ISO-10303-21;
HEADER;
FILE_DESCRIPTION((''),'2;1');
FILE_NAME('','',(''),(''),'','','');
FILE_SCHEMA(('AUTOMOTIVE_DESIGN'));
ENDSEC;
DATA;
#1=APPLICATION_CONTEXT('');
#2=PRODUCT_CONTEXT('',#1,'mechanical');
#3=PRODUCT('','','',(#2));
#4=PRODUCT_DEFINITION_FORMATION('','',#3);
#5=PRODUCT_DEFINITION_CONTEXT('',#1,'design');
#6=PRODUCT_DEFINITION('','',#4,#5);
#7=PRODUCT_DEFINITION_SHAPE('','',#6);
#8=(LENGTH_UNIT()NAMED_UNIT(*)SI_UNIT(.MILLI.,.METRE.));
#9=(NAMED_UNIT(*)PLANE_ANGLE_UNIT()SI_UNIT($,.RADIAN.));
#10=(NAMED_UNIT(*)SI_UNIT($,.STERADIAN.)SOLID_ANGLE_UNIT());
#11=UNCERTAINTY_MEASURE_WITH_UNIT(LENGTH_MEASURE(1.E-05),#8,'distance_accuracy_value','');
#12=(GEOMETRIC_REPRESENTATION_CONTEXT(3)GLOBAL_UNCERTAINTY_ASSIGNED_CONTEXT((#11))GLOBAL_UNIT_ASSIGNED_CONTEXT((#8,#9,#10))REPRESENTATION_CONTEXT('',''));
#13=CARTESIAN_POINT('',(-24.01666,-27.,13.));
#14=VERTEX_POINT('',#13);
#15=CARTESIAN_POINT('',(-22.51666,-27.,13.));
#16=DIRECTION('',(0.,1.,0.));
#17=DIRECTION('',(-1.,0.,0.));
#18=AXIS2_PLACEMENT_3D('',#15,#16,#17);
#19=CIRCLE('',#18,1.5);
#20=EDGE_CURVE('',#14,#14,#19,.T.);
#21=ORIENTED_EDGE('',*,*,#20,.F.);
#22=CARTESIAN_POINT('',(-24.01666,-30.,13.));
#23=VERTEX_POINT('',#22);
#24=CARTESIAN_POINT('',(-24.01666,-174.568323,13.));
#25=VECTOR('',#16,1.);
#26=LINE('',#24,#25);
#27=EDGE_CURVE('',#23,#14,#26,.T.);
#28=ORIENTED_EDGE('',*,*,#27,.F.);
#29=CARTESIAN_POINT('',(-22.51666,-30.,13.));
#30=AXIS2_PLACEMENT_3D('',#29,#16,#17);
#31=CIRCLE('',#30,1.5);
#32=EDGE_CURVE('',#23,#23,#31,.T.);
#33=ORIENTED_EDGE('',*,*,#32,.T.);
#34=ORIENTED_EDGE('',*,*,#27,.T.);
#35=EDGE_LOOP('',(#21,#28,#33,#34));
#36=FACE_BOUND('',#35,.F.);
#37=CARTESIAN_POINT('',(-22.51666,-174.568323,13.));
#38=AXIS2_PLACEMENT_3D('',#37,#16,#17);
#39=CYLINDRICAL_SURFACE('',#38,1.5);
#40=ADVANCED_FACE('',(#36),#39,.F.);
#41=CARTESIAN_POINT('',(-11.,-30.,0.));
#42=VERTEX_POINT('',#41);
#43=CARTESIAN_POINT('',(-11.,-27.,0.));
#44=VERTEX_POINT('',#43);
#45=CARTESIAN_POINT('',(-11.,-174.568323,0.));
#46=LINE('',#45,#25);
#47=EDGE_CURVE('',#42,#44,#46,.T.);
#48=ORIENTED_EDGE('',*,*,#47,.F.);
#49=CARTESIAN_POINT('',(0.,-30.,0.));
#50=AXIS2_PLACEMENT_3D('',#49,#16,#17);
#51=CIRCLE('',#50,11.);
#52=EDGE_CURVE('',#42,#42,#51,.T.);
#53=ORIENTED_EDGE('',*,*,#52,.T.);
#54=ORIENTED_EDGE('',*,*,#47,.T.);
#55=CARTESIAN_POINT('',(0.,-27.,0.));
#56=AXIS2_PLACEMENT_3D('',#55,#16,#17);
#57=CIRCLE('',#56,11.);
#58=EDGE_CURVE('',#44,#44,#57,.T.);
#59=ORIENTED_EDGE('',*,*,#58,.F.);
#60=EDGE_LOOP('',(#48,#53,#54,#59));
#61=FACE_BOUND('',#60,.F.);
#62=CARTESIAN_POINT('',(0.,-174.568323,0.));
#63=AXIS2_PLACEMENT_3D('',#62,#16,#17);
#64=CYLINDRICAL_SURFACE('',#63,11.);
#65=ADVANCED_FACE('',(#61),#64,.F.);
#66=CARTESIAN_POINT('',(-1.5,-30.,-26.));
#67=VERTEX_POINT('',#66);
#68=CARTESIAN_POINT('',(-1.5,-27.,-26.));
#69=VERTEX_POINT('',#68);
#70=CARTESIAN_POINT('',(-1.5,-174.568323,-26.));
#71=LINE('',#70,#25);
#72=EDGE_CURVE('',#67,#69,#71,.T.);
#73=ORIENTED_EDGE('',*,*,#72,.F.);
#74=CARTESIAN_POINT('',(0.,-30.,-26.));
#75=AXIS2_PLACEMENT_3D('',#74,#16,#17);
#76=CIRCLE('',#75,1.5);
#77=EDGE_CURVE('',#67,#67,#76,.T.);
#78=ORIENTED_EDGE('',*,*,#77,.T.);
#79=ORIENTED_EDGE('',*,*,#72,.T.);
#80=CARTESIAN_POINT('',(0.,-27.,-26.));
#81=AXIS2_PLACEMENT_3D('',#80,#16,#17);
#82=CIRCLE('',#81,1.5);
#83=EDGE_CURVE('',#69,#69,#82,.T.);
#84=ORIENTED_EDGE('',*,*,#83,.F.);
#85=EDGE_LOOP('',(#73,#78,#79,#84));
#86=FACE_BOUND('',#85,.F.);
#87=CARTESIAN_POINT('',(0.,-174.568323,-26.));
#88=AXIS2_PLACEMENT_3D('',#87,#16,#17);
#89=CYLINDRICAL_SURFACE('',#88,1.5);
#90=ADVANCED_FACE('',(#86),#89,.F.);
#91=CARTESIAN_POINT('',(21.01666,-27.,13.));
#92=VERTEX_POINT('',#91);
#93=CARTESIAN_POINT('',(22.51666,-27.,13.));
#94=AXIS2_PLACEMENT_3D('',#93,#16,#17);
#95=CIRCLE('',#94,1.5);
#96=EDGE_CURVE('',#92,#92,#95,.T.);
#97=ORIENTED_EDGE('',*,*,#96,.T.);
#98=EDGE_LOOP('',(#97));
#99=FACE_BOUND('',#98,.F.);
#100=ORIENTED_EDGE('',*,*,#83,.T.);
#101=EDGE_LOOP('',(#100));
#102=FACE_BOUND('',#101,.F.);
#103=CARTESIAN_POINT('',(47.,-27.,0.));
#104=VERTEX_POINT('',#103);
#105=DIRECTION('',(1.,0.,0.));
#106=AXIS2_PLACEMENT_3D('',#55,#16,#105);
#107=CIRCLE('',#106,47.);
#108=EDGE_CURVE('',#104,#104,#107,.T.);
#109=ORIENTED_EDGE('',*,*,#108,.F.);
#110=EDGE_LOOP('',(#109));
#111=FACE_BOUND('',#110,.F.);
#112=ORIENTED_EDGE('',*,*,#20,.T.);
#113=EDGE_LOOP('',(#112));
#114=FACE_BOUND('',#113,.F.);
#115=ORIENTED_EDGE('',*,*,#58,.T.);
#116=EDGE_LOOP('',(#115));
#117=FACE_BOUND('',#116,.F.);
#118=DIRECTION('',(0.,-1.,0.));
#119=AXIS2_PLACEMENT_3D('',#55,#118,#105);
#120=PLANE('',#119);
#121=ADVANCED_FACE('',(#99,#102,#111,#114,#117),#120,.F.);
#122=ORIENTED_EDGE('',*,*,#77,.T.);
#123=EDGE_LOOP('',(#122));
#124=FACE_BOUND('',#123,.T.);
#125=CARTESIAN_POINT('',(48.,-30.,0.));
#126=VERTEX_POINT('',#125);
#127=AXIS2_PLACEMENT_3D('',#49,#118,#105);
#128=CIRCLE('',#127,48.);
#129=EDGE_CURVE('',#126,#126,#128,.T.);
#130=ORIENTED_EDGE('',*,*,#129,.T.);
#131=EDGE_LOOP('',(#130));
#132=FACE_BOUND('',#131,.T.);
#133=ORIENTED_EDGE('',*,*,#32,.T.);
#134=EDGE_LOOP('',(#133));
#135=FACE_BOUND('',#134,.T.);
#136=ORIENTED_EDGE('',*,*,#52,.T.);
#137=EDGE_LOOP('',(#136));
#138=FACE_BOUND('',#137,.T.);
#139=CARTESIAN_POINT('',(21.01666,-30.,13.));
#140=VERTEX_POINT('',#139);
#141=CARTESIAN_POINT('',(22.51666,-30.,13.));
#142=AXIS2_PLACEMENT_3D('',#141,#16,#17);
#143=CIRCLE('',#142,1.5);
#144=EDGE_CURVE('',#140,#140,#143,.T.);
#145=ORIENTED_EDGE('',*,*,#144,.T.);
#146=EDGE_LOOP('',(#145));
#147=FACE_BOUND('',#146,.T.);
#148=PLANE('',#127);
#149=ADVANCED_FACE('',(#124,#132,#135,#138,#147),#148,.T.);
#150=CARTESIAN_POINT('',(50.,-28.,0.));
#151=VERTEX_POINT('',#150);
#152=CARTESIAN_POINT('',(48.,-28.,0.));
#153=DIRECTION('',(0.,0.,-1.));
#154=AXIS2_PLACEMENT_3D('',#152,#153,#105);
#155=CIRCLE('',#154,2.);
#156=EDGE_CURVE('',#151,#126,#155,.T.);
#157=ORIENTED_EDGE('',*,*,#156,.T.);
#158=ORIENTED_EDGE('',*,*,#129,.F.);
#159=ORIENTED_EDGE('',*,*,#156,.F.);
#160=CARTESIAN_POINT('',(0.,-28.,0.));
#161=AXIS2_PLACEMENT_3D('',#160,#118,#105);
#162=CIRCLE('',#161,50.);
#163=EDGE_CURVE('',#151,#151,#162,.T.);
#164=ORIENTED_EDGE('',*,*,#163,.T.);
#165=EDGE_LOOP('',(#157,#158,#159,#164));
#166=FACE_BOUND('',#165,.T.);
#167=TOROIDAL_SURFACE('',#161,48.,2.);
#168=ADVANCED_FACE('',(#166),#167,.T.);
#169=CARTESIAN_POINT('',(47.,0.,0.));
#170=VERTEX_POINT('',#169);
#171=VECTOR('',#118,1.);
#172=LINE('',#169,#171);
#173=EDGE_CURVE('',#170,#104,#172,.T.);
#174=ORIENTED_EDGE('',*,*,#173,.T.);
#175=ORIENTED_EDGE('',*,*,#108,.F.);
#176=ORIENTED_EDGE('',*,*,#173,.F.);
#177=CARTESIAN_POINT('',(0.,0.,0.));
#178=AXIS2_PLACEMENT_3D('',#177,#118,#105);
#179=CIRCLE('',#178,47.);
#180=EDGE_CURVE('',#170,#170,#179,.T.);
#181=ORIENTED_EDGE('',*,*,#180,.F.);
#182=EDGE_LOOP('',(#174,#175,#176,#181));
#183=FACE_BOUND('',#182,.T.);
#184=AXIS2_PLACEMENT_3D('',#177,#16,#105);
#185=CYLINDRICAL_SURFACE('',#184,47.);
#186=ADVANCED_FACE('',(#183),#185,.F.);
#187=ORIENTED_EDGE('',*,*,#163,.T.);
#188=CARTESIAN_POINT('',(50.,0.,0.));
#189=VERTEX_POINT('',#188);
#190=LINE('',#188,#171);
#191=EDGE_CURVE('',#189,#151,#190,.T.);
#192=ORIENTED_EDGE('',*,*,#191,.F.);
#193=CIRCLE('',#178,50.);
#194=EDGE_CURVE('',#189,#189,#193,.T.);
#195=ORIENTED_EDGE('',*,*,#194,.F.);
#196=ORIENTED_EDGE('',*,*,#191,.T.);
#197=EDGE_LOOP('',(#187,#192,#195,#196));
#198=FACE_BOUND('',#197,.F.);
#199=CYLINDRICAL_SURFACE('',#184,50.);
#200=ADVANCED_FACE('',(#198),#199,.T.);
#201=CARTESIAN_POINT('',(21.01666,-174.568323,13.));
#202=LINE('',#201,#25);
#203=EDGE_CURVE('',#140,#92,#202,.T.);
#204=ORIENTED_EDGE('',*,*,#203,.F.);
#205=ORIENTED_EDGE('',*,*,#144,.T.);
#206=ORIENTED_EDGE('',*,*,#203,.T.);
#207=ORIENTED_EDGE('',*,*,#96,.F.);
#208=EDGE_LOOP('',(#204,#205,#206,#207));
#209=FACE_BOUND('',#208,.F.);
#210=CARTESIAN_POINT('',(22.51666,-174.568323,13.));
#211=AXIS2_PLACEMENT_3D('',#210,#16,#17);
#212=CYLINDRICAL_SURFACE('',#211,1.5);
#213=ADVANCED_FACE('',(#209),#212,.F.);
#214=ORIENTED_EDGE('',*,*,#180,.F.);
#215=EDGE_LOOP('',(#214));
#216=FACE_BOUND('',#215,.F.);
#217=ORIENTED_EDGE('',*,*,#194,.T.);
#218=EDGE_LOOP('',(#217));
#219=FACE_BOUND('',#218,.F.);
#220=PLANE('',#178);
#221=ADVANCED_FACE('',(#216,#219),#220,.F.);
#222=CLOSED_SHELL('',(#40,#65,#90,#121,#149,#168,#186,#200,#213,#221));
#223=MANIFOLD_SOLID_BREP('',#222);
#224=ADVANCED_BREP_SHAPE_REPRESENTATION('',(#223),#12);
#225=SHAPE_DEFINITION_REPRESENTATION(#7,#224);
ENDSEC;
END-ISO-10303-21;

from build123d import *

# Parameters (mm, degrees)
F0_R     = 50
F1_DEPTH = 30
F2_T     = -3
F3_R     = 2
F5_D     = 22
F7_D     = 3


with BuildPart() as f1:
    # F0 (on Front) → F1 (new body)
    with BuildSketch(Plane.XZ):
        Circle(F0_R)
    extrude(amount=F1_DEPTH)

    # F2
    f2_openings = [f1.faces().sort_by_distance(p)[0] for p in [
        (0, 0, 0),
    ]]
    offset(amount=F2_T, openings=f2_openings)

    # F3
    f3_edges = [f1.edges().sort_by_distance(p)[0] for p in [
        (-50, -30, 0),
    ]]
    fillet(f3_edges, radius=F3_R)

    # F5 (through all)
    with Locations(Plane.XZ.offset(30)):
        with Locations((0, 0)):
            Hole(F5_D / 2)

    # F7 (through all)
    with Locations(Plane.XZ.offset(30)):
        with Locations((0, -26), (-22.51666, 13), (22.51666, 13)):
            Hole(F7_D / 2)


solid = f1.part
